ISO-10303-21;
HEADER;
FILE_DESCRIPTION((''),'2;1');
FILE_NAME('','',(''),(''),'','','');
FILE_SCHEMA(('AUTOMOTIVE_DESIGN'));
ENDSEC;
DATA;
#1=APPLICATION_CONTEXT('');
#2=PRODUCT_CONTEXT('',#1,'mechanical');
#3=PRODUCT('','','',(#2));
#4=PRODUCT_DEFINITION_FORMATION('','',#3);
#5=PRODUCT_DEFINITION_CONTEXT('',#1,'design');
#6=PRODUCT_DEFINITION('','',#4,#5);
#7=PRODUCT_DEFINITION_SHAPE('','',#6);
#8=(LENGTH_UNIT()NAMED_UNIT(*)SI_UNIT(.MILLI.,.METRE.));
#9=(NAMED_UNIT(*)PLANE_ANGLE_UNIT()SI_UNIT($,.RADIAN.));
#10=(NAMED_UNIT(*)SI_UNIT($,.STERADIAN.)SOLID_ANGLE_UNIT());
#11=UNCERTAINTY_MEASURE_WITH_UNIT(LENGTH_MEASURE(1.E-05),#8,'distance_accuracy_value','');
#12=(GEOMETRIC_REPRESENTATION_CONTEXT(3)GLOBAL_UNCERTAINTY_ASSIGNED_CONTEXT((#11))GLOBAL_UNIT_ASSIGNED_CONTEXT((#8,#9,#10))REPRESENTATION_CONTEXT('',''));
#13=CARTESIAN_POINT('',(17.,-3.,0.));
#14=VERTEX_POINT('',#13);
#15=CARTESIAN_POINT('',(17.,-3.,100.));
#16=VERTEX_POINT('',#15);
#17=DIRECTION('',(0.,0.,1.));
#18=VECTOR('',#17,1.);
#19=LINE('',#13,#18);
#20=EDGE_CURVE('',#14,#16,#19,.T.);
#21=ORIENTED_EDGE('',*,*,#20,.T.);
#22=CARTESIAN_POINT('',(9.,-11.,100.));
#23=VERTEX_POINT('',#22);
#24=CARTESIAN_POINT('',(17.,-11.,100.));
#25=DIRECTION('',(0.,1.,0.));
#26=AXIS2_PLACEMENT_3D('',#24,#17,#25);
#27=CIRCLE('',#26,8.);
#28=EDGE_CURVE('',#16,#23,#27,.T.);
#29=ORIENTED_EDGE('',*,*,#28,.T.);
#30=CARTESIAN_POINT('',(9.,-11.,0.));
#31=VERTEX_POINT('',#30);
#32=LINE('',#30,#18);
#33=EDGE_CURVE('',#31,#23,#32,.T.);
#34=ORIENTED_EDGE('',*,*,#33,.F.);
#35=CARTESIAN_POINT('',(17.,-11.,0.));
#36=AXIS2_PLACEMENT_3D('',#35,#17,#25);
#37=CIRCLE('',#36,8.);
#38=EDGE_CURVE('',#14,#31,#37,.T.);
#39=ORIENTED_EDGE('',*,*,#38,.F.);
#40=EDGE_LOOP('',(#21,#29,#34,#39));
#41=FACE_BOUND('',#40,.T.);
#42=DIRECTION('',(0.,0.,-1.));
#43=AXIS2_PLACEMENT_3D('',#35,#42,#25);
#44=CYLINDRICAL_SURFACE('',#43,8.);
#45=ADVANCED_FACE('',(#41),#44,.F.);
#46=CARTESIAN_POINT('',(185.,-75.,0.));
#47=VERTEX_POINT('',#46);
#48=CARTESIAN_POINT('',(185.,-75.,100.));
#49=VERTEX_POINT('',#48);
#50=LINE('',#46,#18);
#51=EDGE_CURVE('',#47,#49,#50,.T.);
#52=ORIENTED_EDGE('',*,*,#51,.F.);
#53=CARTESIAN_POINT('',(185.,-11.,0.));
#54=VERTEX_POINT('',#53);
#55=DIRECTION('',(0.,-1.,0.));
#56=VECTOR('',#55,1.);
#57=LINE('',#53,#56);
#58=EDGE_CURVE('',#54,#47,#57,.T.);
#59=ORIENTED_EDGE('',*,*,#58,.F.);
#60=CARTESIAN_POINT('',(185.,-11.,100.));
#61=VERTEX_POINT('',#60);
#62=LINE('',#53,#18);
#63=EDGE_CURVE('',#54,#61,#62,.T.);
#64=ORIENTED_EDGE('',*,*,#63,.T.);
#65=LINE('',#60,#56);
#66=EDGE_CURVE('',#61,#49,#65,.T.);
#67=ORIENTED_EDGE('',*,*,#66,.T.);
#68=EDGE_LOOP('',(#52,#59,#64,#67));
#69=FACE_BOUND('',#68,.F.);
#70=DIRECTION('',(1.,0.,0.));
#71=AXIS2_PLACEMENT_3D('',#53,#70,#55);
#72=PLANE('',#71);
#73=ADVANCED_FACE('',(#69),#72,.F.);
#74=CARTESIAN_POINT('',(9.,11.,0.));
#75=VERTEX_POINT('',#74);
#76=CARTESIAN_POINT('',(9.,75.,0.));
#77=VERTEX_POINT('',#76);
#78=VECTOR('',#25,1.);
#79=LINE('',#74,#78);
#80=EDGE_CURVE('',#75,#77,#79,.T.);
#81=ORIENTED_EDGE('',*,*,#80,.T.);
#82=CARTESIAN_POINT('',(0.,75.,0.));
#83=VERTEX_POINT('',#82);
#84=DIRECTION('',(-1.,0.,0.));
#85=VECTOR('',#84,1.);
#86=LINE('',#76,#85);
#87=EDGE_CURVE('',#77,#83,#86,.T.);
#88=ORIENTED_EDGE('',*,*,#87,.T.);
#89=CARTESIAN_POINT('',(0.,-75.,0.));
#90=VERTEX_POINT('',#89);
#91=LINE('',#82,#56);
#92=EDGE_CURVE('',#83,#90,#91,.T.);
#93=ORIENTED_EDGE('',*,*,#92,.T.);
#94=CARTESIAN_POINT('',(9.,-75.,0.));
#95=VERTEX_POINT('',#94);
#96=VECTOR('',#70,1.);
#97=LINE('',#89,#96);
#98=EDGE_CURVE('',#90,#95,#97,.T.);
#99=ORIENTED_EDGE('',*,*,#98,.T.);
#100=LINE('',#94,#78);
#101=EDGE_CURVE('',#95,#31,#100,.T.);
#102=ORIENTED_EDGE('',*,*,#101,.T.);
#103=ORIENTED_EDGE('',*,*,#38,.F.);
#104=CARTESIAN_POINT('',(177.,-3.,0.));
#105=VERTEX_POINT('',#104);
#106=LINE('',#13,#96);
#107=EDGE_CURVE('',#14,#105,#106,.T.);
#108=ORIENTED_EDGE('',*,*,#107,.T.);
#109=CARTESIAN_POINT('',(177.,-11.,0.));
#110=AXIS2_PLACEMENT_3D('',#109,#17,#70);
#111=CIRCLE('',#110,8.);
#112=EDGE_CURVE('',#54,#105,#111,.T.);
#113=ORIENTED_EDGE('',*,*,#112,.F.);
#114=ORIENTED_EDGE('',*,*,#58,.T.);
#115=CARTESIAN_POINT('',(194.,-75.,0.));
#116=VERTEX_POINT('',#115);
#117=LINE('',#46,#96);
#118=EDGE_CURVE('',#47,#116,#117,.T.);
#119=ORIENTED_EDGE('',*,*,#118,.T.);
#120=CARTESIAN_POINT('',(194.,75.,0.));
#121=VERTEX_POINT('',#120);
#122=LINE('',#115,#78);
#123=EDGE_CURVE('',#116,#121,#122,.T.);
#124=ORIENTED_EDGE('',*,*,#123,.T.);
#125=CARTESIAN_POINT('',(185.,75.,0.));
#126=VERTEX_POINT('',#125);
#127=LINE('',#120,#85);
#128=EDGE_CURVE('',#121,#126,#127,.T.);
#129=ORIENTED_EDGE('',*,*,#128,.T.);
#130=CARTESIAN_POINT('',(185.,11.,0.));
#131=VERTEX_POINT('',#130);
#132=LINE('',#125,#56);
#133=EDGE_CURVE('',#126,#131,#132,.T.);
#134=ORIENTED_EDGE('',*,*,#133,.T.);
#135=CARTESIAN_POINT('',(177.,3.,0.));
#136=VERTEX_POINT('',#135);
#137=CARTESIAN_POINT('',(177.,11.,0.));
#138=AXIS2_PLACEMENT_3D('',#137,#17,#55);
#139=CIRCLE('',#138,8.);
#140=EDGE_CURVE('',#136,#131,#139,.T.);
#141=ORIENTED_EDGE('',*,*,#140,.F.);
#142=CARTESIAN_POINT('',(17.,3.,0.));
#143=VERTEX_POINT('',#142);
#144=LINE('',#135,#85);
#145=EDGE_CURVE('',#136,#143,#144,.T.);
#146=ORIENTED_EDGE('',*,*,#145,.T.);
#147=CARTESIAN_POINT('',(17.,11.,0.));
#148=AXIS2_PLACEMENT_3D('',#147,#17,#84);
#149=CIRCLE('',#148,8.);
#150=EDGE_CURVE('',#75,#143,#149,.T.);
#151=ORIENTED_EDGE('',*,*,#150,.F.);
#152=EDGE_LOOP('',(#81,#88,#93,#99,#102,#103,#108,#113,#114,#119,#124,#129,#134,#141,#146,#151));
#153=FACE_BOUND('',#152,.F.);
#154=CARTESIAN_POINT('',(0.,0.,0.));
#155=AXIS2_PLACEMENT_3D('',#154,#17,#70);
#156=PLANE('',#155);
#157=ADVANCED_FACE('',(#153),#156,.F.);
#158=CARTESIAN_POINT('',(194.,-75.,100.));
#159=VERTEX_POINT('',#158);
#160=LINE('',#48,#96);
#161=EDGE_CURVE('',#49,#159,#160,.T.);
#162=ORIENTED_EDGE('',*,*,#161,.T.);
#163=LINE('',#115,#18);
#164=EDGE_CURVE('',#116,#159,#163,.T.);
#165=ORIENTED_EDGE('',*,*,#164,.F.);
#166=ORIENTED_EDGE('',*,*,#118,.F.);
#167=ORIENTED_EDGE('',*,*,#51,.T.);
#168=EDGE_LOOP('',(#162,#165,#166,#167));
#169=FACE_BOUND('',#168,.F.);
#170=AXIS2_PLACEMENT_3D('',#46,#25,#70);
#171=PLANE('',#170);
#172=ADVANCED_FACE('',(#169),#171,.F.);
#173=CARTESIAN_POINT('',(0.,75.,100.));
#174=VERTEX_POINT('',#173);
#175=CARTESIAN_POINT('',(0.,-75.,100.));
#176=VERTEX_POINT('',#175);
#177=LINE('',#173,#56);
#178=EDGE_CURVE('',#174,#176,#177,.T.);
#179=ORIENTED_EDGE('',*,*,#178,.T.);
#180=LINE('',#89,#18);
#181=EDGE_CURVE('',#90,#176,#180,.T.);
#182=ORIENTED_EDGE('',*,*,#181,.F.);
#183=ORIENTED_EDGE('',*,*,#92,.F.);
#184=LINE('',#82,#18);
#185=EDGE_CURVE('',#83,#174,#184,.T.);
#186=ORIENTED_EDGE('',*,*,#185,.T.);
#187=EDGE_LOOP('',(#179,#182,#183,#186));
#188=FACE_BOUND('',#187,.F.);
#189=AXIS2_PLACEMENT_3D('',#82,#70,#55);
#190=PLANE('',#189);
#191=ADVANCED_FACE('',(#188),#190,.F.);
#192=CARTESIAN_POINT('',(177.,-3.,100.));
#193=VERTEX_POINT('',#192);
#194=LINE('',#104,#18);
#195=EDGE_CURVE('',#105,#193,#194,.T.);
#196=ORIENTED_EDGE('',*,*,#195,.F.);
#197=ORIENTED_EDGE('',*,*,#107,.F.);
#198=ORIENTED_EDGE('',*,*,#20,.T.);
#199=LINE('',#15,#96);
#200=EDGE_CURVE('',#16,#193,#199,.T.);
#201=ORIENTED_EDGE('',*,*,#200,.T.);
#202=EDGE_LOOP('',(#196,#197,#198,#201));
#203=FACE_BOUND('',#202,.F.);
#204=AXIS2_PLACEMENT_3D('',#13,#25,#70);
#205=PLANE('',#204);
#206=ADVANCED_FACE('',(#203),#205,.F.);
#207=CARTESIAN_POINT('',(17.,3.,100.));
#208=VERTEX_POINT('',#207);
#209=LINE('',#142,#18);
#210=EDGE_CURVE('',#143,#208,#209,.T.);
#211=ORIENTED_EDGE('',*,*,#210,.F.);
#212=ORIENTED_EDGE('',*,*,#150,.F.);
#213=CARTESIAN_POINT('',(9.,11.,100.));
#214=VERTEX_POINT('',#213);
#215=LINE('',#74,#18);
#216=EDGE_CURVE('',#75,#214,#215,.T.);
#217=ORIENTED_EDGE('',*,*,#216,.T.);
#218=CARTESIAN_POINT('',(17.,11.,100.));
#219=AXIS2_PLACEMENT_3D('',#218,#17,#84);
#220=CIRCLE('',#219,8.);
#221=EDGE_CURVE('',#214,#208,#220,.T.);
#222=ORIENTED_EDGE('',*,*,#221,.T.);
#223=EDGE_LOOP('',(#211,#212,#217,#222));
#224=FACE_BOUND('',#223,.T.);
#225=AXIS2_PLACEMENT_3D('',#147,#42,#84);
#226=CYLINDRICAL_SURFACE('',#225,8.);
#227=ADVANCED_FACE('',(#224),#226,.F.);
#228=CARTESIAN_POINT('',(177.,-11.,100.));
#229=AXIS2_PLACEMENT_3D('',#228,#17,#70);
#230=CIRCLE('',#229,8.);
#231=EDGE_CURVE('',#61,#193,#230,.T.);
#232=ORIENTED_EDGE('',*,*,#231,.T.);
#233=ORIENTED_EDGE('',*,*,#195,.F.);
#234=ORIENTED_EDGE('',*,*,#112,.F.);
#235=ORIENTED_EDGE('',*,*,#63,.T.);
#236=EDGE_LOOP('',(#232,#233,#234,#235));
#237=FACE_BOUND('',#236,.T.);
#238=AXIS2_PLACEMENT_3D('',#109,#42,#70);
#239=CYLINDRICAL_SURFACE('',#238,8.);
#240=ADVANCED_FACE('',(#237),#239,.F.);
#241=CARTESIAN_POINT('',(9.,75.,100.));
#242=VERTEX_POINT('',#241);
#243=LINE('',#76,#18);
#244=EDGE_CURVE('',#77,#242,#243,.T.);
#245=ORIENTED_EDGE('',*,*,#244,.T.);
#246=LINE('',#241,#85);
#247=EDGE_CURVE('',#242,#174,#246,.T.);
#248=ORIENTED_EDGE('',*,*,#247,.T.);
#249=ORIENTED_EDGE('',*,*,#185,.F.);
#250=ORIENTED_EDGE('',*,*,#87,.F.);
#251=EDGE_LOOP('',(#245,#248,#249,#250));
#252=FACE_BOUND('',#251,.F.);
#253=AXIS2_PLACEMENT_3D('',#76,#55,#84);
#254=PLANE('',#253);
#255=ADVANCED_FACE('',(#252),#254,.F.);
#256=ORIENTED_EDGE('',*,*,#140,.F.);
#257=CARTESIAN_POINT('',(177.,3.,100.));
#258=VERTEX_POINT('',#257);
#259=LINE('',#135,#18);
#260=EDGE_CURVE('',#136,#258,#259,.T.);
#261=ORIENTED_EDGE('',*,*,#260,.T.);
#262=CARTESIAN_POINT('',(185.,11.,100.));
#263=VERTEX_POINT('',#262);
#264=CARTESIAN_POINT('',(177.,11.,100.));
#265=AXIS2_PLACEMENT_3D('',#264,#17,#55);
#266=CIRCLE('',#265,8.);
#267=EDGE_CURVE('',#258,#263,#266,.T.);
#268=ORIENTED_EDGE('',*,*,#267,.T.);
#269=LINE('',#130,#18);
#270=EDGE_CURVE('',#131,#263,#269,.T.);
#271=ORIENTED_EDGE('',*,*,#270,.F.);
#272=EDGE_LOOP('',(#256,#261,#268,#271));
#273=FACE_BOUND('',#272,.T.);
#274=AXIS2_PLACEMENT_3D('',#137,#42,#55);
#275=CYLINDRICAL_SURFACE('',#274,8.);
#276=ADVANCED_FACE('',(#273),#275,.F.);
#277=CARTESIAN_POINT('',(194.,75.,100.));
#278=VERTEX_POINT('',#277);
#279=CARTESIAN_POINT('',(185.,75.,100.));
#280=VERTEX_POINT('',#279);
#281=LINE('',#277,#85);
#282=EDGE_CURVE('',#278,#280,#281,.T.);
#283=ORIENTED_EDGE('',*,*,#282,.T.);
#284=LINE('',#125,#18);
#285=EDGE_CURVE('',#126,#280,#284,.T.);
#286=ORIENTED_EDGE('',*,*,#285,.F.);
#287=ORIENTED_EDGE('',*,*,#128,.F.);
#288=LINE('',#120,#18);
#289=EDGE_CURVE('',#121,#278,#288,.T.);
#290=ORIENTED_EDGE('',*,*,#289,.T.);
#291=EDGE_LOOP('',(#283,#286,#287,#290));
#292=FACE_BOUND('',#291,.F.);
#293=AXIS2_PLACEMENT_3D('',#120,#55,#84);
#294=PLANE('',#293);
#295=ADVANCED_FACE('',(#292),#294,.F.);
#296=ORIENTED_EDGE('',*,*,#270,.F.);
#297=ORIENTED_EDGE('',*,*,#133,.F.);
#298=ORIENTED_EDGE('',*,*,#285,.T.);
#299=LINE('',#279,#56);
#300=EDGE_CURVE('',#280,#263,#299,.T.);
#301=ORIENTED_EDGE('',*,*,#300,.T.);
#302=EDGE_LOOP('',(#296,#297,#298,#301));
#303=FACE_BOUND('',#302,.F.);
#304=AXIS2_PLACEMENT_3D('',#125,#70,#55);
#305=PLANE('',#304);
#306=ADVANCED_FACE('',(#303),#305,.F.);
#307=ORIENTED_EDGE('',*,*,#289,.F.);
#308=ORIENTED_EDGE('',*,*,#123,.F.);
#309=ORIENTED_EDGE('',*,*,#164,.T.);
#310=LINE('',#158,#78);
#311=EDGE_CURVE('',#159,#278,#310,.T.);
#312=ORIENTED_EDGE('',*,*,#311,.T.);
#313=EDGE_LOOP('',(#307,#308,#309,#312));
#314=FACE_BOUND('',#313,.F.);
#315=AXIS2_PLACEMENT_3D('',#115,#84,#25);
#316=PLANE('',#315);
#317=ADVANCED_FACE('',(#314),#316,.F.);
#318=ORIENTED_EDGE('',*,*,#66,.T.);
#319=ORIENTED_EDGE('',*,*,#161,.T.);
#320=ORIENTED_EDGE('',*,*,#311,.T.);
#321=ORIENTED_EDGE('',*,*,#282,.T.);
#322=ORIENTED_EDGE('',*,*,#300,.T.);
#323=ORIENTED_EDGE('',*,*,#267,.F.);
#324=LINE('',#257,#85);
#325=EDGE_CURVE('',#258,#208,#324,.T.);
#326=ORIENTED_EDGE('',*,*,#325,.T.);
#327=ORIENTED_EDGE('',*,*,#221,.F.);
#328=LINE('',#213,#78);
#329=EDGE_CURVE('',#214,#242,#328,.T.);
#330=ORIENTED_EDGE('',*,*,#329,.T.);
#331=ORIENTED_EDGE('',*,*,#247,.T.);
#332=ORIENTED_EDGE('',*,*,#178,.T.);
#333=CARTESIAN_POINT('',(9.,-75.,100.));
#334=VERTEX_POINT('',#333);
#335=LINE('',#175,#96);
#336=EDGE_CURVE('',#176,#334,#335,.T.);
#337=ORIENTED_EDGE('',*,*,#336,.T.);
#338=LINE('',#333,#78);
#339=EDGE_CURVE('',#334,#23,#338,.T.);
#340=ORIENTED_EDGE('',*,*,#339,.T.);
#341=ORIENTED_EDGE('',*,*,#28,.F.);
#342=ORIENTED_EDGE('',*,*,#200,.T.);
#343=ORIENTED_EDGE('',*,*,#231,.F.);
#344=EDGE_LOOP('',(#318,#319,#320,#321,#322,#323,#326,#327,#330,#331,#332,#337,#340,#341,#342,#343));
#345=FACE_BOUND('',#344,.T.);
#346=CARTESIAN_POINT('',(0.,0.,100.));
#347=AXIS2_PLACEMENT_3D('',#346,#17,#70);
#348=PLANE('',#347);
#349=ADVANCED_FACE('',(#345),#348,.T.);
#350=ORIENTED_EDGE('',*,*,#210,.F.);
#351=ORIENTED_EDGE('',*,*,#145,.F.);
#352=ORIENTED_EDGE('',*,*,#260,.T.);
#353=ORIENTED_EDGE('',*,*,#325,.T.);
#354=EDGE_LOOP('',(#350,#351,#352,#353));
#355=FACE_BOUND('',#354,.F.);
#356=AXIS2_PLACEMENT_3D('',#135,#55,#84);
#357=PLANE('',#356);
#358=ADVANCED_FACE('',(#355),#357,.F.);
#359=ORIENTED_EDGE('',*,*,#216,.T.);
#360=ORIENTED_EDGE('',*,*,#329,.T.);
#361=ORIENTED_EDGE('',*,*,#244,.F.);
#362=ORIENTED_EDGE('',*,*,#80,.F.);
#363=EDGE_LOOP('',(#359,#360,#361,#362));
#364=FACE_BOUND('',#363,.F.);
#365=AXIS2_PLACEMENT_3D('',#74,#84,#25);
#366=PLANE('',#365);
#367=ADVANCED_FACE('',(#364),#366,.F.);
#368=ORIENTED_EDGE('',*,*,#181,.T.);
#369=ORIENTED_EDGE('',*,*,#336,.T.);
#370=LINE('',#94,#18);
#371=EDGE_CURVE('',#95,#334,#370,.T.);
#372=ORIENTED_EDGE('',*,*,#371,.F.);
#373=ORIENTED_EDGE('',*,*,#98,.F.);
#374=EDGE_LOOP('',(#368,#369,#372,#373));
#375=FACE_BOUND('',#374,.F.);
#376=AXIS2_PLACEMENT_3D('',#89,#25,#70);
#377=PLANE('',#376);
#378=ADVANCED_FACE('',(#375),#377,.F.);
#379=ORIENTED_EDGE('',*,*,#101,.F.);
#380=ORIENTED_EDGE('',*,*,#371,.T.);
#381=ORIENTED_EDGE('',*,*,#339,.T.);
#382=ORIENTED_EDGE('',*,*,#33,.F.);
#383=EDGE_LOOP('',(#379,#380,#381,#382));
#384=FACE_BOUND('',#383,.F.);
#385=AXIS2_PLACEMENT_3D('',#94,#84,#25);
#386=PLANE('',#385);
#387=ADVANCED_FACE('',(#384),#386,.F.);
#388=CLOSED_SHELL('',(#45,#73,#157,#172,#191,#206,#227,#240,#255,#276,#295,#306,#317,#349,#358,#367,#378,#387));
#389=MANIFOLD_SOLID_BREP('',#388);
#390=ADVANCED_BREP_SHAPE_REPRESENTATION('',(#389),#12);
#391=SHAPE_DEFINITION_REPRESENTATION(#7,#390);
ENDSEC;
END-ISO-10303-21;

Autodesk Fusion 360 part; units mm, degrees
sketch "スケッチ1" plane through (0, 0, 0) normal (0, 0, 1) x (1, 0, 0)
  line L0 (0, 75) -> (0, -75)
  line L1 (9, -75) -> (9, -11)
  line L2 (0, -75) -> (9, -75)
  line L3 (9, 11) -> (9, 75)
  line L4 (9, 75) -> (0, 75)
  line L5 (194, -75) -> (194, 75)
  line L6 (185, -11) -> (185, -75)
  line L7 (185, -75) -> (194, -75)
  line L8 (177, 3) -> (17, 3)
  line L9 (17, -3) -> (177, -3)
  line L10 (185, 75) -> (185, 11)
  line L11 (194, 75) -> (185, 75)
  arc A0 (17, -3) -> (9, -11) centre (17, -11) ccw
  arc A1 (9, 11) -> (17, 3) centre (17, 11) ccw
  arc A2 (177, 3) -> (185, 11) centre (177, 11) ccw
  arc A3 (185, -11) -> (177, -3) centre (177, -11) ccw
extrude "押し出し1" add sketch "スケッチ1" along normal blind 100
